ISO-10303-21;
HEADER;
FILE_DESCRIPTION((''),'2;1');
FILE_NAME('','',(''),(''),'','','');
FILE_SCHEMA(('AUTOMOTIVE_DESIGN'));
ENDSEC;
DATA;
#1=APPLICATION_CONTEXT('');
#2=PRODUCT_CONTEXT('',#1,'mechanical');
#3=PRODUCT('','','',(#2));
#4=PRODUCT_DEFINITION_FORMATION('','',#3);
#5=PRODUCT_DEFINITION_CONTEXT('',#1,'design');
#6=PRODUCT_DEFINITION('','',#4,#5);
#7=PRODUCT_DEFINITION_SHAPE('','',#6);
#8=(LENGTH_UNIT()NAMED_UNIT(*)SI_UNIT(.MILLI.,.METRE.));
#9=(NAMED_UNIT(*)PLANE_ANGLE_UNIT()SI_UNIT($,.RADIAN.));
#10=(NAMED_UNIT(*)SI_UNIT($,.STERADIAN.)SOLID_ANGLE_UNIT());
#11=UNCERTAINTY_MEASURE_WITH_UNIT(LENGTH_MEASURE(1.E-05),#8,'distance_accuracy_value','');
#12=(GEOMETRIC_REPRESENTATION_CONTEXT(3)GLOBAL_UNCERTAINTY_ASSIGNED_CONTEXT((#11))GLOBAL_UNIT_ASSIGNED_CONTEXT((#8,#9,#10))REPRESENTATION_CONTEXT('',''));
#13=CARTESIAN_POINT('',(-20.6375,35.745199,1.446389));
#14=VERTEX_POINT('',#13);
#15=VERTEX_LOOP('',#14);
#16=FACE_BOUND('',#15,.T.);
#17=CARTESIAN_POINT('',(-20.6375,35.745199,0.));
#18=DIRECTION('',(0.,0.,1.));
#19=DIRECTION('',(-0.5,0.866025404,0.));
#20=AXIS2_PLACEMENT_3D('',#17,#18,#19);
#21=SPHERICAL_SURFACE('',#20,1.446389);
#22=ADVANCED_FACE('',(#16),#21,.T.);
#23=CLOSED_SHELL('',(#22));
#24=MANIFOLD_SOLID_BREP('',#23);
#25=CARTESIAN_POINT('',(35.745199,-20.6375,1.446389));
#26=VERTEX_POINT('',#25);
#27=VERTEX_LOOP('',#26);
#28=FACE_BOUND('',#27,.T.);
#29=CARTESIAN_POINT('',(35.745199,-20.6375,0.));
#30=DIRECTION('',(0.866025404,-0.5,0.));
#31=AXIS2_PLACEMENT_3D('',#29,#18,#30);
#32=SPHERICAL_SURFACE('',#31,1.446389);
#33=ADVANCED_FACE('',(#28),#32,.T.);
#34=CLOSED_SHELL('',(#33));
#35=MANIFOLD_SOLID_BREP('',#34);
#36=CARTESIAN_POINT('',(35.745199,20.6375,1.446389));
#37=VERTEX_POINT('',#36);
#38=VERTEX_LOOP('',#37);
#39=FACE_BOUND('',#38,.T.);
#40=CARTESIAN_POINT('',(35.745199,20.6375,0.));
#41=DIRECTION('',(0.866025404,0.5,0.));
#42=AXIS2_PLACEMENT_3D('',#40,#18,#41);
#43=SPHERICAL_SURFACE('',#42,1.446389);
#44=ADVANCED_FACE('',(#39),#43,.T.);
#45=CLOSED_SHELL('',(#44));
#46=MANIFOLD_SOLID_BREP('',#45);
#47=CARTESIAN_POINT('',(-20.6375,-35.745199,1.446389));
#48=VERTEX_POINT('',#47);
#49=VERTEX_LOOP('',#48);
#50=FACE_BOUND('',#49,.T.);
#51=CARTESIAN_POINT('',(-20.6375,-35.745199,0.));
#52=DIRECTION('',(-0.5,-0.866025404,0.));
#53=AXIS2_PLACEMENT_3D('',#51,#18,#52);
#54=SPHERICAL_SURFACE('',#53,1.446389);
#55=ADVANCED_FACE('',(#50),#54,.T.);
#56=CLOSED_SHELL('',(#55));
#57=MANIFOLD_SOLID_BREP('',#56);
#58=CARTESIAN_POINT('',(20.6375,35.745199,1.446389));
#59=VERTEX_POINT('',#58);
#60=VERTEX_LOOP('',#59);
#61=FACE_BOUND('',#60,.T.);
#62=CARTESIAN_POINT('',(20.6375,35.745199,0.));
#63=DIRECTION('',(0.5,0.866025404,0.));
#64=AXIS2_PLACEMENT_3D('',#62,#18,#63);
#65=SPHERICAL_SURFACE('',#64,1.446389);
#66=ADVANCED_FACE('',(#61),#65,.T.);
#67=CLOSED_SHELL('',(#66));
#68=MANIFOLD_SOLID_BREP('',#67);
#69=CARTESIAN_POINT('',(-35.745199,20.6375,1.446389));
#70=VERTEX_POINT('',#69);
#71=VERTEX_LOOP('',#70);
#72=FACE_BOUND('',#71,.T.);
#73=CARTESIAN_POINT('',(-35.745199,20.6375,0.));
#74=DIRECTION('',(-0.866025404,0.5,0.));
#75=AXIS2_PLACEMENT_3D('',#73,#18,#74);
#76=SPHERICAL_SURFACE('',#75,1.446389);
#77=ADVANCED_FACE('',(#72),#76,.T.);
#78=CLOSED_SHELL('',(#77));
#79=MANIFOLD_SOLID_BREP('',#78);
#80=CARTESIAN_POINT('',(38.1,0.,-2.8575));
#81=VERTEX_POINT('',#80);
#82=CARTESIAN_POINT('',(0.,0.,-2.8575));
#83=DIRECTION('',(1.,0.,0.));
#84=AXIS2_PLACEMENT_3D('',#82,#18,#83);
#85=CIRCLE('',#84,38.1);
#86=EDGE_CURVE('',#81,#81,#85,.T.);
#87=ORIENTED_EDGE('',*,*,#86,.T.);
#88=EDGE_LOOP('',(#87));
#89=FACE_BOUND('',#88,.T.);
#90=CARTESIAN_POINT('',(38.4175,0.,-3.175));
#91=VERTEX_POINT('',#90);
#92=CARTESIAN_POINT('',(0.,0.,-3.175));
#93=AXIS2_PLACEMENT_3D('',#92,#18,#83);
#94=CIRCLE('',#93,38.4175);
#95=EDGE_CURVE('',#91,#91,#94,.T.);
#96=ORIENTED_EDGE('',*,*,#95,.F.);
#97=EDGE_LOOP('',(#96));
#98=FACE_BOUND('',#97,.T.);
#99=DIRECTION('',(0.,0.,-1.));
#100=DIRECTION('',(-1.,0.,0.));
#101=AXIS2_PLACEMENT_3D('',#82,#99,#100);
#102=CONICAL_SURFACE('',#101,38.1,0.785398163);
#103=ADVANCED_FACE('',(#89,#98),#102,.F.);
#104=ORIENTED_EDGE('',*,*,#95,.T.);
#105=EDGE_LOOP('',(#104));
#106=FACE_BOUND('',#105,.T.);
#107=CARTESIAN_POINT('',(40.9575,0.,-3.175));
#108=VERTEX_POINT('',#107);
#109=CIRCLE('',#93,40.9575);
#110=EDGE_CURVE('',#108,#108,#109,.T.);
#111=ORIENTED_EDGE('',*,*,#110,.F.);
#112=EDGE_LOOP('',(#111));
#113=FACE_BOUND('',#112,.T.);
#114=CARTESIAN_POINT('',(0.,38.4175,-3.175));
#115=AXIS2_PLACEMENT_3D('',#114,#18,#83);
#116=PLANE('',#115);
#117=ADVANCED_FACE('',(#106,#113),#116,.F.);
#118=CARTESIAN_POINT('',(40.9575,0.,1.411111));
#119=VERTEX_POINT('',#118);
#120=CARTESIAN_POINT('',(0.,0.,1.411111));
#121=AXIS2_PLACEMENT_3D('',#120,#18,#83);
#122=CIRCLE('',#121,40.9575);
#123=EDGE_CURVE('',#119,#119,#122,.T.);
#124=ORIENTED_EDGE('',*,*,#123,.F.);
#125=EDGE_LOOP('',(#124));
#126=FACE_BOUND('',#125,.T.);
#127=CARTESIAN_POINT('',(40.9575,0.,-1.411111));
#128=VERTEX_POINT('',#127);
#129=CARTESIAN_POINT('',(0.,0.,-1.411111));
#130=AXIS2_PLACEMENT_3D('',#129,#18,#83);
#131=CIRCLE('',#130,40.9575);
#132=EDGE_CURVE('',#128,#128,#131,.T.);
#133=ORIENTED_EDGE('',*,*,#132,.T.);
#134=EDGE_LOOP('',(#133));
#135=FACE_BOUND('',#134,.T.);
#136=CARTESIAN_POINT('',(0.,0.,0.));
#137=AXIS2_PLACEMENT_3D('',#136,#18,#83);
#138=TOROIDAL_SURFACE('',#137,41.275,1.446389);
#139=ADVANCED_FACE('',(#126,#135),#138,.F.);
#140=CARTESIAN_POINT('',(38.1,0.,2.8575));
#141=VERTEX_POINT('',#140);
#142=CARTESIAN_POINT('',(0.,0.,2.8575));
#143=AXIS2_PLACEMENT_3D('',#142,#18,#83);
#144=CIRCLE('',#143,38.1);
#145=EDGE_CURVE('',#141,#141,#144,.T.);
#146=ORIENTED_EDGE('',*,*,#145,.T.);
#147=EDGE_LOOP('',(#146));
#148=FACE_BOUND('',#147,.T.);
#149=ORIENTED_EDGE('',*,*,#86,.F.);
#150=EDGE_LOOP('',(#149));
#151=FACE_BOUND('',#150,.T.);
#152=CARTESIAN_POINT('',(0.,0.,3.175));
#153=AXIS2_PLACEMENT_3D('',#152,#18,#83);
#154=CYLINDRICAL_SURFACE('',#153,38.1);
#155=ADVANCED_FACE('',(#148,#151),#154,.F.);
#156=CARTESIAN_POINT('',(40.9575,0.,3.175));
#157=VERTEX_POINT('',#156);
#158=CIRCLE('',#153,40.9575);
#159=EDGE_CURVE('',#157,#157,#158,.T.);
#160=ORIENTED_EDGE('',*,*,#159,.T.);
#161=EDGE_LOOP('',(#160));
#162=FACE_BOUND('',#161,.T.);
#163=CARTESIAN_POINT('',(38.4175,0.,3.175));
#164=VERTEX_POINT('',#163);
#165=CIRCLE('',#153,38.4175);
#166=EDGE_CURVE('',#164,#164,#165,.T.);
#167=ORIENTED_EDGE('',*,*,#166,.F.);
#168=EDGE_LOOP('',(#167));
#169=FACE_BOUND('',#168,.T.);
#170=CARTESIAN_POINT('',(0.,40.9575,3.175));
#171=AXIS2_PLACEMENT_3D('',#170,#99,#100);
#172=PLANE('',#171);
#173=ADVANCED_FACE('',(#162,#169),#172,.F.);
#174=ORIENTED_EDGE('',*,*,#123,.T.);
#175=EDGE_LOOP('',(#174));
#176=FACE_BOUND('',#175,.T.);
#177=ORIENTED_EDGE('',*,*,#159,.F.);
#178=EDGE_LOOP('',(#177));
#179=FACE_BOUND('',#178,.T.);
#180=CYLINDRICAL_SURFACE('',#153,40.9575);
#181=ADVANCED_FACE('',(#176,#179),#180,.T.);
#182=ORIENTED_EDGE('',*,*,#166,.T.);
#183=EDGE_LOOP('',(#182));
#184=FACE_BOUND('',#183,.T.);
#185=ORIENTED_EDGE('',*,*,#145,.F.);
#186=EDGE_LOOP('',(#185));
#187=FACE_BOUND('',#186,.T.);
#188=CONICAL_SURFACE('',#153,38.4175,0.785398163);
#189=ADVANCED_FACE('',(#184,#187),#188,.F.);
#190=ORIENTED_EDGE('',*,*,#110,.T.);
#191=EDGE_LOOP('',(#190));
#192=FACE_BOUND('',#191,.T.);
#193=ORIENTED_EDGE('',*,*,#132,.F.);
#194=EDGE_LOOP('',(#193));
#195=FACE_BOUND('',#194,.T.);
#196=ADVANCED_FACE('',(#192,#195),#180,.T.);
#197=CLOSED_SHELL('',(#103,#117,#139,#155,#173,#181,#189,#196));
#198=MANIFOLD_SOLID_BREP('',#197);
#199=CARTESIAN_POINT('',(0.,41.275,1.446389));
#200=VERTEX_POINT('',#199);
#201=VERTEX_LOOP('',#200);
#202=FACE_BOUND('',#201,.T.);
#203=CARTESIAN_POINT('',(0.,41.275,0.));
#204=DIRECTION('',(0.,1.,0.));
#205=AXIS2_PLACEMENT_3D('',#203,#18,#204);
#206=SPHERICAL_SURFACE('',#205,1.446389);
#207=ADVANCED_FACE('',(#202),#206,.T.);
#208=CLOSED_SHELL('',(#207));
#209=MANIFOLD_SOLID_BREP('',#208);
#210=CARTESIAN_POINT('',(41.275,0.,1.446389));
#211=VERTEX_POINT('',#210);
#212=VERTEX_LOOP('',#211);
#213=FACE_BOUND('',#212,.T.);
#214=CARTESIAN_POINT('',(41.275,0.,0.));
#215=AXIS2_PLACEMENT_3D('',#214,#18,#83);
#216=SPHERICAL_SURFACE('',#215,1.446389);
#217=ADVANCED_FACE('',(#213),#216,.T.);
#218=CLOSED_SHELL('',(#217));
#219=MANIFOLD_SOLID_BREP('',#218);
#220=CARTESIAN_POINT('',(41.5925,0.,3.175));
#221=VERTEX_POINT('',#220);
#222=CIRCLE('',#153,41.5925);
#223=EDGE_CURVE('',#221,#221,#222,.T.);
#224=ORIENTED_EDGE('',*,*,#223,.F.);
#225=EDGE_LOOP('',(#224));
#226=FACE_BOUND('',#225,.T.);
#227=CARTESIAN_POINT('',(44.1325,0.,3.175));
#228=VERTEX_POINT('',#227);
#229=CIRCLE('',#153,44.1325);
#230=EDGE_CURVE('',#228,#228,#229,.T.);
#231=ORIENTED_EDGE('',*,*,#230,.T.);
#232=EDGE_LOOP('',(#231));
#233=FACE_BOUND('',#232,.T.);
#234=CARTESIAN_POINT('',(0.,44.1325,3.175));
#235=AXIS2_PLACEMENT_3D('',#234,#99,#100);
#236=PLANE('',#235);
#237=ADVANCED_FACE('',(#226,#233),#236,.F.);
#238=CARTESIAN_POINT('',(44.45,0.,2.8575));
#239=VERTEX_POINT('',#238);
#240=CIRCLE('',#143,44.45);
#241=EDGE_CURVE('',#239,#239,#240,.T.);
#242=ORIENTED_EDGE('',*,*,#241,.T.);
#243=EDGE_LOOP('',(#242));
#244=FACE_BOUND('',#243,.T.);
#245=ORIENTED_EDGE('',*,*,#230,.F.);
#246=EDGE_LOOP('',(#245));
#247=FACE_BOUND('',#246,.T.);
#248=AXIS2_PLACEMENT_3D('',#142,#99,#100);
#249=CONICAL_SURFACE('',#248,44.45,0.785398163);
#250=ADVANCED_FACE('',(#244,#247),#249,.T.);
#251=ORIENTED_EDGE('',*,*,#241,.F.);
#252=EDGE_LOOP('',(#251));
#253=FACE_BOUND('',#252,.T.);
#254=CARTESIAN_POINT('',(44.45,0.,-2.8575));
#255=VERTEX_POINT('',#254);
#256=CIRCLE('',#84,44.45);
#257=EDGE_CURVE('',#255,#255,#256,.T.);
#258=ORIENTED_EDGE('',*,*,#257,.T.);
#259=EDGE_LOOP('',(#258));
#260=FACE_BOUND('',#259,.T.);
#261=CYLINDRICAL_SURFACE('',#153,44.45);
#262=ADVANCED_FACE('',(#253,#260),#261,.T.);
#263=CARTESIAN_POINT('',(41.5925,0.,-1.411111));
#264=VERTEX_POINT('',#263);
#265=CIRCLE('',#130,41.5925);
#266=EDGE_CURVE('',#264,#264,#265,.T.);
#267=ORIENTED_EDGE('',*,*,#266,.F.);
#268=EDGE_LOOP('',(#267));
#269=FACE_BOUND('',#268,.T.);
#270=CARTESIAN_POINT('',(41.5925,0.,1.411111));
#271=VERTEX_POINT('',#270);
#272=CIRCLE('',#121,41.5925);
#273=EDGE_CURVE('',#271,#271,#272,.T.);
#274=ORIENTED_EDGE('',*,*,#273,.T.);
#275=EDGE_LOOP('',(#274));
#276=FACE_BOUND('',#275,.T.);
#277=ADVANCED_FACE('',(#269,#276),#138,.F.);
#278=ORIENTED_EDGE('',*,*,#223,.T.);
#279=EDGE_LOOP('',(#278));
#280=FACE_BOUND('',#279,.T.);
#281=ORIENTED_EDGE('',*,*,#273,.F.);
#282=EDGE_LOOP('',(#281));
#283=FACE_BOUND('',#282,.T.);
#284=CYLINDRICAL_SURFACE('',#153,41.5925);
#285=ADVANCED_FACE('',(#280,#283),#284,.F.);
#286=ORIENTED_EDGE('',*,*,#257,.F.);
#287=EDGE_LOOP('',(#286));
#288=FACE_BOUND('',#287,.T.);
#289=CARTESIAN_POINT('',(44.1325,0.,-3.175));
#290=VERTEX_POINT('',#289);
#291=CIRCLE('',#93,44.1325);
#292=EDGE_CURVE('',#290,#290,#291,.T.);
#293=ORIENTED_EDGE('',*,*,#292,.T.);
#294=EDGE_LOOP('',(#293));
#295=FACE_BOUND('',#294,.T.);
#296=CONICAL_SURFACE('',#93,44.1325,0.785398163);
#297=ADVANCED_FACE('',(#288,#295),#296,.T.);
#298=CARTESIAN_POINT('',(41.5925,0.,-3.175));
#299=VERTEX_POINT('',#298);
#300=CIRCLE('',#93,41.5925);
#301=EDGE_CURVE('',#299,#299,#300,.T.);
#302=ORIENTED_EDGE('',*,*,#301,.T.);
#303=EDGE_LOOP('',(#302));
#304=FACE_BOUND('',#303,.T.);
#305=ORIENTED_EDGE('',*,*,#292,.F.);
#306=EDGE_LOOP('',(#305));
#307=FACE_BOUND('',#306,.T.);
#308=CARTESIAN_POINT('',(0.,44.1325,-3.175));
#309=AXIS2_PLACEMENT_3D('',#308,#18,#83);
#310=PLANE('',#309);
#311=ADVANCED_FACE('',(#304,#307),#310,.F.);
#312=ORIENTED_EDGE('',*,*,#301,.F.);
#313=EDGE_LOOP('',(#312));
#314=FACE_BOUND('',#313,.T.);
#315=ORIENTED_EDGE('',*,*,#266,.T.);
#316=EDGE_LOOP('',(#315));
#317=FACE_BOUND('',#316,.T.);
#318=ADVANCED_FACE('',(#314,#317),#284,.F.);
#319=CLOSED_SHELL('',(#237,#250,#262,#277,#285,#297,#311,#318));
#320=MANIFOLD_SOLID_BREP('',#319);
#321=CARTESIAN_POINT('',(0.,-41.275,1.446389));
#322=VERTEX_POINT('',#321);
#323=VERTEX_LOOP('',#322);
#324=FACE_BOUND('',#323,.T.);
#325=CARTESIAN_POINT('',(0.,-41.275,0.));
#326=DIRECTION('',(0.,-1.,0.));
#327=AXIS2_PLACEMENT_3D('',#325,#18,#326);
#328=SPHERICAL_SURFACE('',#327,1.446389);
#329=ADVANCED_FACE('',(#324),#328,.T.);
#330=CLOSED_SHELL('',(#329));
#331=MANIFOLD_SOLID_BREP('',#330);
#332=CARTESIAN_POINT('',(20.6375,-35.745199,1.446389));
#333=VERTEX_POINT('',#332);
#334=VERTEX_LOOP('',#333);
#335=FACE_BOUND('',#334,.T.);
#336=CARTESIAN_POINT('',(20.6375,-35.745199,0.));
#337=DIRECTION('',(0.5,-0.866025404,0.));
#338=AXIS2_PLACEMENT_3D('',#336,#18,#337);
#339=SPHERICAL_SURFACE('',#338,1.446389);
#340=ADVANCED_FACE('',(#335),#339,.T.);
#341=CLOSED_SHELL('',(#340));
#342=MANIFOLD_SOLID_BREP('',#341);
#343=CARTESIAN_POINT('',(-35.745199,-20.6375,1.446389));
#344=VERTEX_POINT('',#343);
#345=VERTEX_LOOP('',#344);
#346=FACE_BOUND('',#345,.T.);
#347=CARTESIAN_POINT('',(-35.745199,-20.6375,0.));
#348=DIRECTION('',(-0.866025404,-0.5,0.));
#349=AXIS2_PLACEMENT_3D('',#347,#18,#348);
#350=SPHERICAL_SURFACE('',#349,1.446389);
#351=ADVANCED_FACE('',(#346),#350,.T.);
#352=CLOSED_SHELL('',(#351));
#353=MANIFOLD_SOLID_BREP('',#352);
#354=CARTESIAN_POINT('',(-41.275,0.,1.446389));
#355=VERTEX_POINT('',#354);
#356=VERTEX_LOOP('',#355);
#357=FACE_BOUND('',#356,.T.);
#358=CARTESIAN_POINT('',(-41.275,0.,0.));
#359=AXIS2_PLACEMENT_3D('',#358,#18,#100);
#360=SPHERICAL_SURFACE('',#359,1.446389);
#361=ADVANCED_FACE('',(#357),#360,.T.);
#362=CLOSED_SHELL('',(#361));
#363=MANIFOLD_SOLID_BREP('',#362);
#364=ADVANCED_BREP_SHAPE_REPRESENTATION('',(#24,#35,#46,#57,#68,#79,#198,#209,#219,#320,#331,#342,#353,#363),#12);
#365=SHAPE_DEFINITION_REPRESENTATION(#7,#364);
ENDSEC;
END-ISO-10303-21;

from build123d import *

# Parameters (mm, degrees)
CIRPATTERN1_COUNT = 12


with BuildPart() as part:
    # Sketch1 → Revolve1 (revolve)
    with BuildSketch(Plane(origin=(0, 0, 0), x_dir=(0, 0, -1), z_dir=(1, 0, 0)), mode=Mode.PRIVATE) as revolve1_sk:
        with BuildLine():
            Line((2.8575, 44.45), (-2.8575, 44.45))
            Line((-2.8575, 44.45), (-3.175, 44.1325))
            Line((-3.175, 44.1325), (-3.175, 41.5925))
            Line((-3.175, 41.5925), (-1.411111111, 41.5925))
            ThreePointArc((-1.411111111, 41.5925), (0, 42.721388889), (1.411111111, 41.5925))
            Line((1.411111111, 41.5925), (3.175, 41.5925))
            Line((3.175, 41.5925), (3.175, 44.1325))
            Line((3.175, 44.1325), (2.8575, 44.45))
        make_face()
    revolve(revolve1_sk.sketch.rotate(Axis((0, 0, 3.175), (0, 0, -1)), 90), axis=Axis((0, 0, 3.175), (0, 0, -1)))


with BuildPart() as body_2:
    # Sketch3 → Revolve3 (revolve)
    with BuildSketch(Plane(origin=(0, 0, 0), x_dir=(0, 0, -1), z_dir=(1, 0, 0)), mode=Mode.PRIVATE) as revolve3_sk:
        with BuildLine():
            Line((-3.175, 40.9575), (-1.411111111, 40.9575))
            ThreePointArc((-1.411111111, 40.9575), (0, 39.828611111), (1.411111111, 40.9575))
            Line((1.411111111, 40.9575), (3.175, 40.9575))
            Line((3.175, 40.9575), (3.175, 38.4175))
            Line((3.175, 38.4175), (2.8575, 38.1))
            Line((2.8575, 38.1), (-2.8575, 38.1))
            Line((-2.8575, 38.1), (-3.175, 38.4175))
            Line((-3.175, 38.4175), (-3.175, 40.9575))
        make_face()
    revolve(revolve3_sk.sketch.rotate(Axis((0, 0, 3.175), (0, 0, -1)), 90), axis=Axis((0, 0, 3.175), (0, 0, -1)))


with BuildPart() as body_3:
    # Sketch4 → Revolve4 (revolve)
    with BuildSketch(Plane(origin=(0, 0, 0), x_dir=(0, 0, -1), z_dir=(1, 0, 0))):
        with BuildLine():
            Line((-1.446388889, 41.275), (1.446388889, 41.275))
            ThreePointArc((1.446388889, 41.275), (0, 42.721388889), (-1.446388889, 41.275))
        make_face()
    revolve(axis=Axis((0, 41.275, 1.446388889), (0, 0, -1)))


with BuildPart() as cirpattern1_1:
    # CirPattern1: pattern copy
    add(body_3.part.rotate(Axis((0, 0, 0), (0, 0, 1)), 1 * 360 / CIRPATTERN1_COUNT))


with BuildPart() as cirpattern1_2:
    # CirPattern1: pattern copy
    add(body_3.part.rotate(Axis((0, 0, 0), (0, 0, 1)), 2 * 360 / CIRPATTERN1_COUNT))


with BuildPart() as cirpattern1_3:
    # CirPattern1: pattern copy
    add(body_3.part.rotate(Axis((0, 0, 0), (0, 0, 1)), 3 * 360 / CIRPATTERN1_COUNT))


with BuildPart() as cirpattern1_4:
    # CirPattern1: pattern copy
    add(body_3.part.rotate(Axis((0, 0, 0), (0, 0, 1)), 4 * 360 / CIRPATTERN1_COUNT))


with BuildPart() as cirpattern1_5:
    # CirPattern1: pattern copy
    add(body_3.part.rotate(Axis((0, 0, 0), (0, 0, 1)), 5 * 360 / CIRPATTERN1_COUNT))


with BuildPart() as cirpattern1_6:
    # CirPattern1: pattern copy
    add(body_3.part.rotate(Axis((0, 0, 0), (0, 0, 1)), 6 * 360 / CIRPATTERN1_COUNT))


with BuildPart() as cirpattern1_7:
    # CirPattern1: pattern copy
    add(body_3.part.rotate(Axis((0, 0, 0), (0, 0, 1)), 7 * 360 / CIRPATTERN1_COUNT))


with BuildPart() as cirpattern1_8:
    # CirPattern1: pattern copy
    add(body_3.part.rotate(Axis((0, 0, 0), (0, 0, 1)), 8 * 360 / CIRPATTERN1_COUNT))


with BuildPart() as cirpattern1_9:
    # CirPattern1: pattern copy
    add(body_3.part.rotate(Axis((0, 0, 0), (0, 0, 1)), 9 * 360 / CIRPATTERN1_COUNT))


with BuildPart() as cirpattern1_10:
    # CirPattern1: pattern copy
    add(body_3.part.rotate(Axis((0, 0, 0), (0, 0, 1)), 10 * 360 / CIRPATTERN1_COUNT))


with BuildPart() as cirpattern1_11:
    # CirPattern1: pattern copy
    add(body_3.part.rotate(Axis((0, 0, 0), (0, 0, 1)), 11 * 360 / CIRPATTERN1_COUNT))


solid = Compound([part.part, body_2.part, body_3.part, cirpattern1_1.part, cirpattern1_2.part, cirpattern1_3.part, cirpattern1_4.part, cirpattern1_5.part, cirpattern1_6.part, cirpattern1_7.part, cirpattern1_8.part, cirpattern1_9.part, cirpattern1_10.part, cirpattern1_11.part])
